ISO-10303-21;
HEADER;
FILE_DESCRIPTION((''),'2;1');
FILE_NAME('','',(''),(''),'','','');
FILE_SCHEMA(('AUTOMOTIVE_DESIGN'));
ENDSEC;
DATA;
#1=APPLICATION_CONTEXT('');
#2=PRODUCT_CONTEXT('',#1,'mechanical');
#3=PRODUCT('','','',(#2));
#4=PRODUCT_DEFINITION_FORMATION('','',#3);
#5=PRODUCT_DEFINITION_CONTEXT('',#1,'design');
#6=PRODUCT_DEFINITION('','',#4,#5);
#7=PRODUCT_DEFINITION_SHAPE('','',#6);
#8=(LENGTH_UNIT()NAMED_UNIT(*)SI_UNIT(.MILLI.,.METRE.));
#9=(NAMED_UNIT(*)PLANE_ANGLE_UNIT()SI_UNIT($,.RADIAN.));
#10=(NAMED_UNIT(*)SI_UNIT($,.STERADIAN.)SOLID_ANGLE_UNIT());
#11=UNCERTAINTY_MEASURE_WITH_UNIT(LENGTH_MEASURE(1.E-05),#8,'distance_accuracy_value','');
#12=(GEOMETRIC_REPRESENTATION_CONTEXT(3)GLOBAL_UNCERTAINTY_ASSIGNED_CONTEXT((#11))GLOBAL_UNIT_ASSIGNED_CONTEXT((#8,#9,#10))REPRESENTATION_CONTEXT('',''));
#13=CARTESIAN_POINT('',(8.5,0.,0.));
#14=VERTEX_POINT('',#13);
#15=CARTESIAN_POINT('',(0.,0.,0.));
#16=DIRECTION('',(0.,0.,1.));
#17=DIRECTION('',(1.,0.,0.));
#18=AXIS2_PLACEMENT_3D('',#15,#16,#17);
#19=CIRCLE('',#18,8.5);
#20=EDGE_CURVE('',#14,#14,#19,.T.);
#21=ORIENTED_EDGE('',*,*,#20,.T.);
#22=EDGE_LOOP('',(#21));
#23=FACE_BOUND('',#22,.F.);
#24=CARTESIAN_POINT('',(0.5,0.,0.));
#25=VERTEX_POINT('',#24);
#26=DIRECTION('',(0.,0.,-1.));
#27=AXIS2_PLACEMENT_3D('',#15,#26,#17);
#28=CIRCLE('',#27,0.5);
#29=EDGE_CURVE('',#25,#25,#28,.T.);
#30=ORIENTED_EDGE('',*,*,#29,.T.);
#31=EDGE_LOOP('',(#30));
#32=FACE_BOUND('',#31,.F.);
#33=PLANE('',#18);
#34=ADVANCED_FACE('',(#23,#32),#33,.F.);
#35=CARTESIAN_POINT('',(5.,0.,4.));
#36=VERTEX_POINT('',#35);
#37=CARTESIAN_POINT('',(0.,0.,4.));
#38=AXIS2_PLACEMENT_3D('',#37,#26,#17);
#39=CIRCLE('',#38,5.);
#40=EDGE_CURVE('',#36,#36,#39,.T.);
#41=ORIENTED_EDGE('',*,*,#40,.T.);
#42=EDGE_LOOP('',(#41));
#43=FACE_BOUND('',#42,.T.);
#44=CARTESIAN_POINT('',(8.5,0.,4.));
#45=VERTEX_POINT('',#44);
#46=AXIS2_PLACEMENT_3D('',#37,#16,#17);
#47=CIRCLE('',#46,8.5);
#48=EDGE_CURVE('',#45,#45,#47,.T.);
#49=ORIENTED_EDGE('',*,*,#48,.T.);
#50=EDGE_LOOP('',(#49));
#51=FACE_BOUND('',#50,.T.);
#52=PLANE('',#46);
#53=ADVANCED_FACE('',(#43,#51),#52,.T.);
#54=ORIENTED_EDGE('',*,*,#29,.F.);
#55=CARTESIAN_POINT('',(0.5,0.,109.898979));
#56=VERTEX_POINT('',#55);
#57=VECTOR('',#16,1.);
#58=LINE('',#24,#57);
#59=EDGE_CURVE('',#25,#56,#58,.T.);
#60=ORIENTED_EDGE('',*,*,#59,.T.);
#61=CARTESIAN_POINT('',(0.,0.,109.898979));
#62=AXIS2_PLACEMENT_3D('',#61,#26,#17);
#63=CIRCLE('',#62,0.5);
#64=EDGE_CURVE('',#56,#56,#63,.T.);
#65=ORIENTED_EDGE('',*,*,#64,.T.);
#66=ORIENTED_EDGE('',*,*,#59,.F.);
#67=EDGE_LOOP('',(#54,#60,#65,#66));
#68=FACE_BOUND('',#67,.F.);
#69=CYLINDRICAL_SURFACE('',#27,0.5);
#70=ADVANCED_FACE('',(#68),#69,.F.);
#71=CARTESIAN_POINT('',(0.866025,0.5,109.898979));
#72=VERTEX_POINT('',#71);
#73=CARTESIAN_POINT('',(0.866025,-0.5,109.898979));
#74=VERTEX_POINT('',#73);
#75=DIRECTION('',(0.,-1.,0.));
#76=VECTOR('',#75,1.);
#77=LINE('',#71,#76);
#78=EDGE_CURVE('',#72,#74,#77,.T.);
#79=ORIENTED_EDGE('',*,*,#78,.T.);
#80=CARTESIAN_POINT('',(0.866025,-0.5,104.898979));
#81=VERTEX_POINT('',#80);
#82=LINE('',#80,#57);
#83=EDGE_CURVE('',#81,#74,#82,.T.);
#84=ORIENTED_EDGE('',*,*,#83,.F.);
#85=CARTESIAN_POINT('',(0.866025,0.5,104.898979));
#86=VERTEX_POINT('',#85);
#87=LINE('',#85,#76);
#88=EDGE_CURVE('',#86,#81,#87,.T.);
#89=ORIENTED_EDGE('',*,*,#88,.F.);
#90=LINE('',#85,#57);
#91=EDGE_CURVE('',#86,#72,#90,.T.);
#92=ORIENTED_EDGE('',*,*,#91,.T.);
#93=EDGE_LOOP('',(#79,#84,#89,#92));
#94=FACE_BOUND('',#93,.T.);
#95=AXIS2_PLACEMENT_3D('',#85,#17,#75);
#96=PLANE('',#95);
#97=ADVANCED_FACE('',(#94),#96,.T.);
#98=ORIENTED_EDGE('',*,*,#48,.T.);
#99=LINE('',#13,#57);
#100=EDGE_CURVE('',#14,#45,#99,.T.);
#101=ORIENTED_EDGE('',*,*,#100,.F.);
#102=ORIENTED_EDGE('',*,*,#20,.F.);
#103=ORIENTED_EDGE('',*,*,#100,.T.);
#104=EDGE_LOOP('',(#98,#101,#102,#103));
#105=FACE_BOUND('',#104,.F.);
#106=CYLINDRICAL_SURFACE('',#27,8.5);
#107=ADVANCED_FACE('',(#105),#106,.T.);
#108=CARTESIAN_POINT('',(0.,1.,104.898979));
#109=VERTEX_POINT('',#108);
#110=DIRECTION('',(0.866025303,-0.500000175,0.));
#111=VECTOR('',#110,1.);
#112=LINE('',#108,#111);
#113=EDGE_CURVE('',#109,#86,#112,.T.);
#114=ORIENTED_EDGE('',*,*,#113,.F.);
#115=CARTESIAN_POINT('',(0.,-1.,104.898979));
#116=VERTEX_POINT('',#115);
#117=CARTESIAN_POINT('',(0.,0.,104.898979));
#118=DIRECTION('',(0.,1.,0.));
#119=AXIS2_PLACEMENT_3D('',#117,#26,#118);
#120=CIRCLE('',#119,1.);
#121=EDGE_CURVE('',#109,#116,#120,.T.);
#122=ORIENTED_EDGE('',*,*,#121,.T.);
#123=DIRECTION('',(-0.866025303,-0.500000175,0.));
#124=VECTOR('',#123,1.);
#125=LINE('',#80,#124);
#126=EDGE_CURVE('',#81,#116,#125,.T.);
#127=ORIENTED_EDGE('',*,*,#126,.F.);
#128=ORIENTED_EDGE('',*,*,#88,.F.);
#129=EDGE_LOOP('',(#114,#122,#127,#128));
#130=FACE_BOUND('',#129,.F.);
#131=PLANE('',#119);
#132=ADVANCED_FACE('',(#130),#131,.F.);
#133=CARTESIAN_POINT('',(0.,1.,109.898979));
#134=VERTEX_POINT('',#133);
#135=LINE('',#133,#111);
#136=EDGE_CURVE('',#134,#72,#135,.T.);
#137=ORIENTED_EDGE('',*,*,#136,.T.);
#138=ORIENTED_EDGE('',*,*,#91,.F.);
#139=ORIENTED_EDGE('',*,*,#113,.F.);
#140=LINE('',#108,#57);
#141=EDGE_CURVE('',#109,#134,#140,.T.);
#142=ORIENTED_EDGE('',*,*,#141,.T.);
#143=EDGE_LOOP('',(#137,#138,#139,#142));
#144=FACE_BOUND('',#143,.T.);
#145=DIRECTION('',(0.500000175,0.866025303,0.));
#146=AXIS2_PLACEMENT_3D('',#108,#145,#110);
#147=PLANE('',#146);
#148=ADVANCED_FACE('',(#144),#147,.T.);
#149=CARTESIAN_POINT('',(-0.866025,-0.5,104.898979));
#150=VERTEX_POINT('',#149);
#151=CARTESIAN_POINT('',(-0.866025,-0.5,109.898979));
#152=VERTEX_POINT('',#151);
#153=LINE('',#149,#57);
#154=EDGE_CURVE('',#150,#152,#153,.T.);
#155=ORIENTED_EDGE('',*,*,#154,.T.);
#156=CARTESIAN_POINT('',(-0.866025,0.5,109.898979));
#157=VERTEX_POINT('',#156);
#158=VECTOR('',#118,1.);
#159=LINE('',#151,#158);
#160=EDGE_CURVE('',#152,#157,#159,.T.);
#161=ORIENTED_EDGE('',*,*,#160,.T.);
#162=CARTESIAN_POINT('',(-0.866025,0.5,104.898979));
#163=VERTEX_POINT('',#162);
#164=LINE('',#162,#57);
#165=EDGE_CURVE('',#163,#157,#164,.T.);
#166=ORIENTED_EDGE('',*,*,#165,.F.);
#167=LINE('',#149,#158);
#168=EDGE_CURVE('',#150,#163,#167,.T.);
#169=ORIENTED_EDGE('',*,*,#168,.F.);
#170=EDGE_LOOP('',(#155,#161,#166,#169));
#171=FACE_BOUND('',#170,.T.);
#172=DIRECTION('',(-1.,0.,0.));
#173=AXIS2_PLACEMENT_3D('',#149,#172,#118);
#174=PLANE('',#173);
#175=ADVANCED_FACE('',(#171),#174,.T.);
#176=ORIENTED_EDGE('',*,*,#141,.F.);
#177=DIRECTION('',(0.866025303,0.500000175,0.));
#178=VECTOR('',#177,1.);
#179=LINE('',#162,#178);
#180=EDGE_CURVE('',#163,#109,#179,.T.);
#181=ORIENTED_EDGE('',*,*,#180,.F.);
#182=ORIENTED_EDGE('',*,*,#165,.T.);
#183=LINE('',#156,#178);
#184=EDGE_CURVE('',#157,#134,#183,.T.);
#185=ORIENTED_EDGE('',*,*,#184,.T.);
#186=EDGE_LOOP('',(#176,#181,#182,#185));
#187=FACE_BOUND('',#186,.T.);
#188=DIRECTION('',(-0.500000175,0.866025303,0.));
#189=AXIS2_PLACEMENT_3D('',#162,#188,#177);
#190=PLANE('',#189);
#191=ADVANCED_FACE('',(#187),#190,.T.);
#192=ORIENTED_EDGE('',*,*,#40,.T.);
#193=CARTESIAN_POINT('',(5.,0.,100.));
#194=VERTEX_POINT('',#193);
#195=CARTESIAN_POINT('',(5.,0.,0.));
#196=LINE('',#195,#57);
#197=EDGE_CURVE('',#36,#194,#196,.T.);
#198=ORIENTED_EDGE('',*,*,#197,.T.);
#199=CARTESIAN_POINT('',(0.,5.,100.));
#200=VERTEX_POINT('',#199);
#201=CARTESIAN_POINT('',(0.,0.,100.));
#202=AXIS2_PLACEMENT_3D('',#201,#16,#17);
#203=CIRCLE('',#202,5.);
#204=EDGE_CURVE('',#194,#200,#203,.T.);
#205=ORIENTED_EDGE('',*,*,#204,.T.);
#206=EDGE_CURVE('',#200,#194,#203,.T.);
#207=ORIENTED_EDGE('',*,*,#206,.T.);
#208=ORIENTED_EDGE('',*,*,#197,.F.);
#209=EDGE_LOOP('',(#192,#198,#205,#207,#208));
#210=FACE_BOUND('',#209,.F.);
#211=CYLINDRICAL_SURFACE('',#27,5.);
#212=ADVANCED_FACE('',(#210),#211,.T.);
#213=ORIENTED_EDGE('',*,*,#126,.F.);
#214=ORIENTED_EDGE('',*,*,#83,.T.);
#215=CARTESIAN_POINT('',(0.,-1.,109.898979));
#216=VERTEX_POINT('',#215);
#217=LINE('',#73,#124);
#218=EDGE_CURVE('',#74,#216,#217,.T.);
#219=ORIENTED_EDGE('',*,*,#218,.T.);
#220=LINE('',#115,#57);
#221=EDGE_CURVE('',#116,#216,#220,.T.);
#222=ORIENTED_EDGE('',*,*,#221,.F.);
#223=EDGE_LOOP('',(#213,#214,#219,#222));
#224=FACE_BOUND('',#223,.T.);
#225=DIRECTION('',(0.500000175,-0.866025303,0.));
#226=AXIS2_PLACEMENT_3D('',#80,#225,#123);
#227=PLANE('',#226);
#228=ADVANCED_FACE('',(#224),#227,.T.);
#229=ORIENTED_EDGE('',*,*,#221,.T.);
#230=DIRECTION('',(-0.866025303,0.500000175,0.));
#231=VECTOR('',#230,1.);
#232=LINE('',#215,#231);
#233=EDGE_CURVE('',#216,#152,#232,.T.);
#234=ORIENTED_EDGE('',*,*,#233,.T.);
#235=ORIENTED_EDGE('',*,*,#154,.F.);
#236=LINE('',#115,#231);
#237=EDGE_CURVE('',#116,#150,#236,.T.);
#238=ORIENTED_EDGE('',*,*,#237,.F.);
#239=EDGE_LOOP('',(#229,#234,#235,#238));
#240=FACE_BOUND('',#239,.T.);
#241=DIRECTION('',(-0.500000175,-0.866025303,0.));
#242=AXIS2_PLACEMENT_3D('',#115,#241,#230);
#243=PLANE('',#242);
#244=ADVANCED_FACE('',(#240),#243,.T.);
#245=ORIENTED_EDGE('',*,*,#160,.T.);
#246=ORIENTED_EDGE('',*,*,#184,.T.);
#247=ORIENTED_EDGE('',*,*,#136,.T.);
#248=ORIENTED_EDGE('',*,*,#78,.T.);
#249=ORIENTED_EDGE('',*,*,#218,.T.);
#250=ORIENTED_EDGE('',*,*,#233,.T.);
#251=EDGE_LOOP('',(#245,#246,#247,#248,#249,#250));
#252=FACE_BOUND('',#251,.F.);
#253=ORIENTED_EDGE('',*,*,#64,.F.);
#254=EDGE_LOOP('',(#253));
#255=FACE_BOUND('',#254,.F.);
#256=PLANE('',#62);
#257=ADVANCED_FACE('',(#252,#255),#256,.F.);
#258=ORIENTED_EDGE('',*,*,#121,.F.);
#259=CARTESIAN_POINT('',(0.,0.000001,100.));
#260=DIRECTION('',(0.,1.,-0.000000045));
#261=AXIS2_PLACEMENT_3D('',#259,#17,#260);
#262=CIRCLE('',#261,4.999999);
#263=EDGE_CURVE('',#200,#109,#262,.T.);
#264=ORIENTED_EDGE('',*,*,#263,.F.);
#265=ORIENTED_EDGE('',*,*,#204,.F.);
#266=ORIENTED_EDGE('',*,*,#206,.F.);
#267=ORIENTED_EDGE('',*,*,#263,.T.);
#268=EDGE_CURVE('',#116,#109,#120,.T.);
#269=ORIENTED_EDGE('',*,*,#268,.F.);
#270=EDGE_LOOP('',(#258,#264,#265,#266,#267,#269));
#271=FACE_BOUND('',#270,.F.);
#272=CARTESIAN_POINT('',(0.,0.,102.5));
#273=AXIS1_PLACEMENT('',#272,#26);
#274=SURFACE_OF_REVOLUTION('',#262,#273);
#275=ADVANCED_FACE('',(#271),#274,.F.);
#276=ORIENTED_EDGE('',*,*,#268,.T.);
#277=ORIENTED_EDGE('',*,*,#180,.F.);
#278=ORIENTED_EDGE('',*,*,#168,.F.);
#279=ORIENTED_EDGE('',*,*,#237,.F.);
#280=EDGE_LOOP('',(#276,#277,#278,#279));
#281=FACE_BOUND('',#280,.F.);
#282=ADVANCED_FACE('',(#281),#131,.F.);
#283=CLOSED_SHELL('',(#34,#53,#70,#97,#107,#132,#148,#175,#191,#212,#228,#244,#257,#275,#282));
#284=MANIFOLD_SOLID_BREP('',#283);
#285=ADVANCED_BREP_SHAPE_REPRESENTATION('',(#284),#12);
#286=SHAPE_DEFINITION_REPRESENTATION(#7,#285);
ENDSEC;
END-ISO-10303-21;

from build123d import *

# Parameters (mm, degrees)
F0_R      = 8.5
F1_DEPTH  = 4
F2_R      = 5
F3_DEPTH  = 100
F9_DEPTH  = 5
F10_R     = 0.5
F11_DEPTH = 117.5


with BuildPart() as f1:
    # F0 (on Top) → F1 (new body)
    with BuildSketch(Plane.XY):
        Circle(F0_R)
    extrude(amount=F1_DEPTH)

    # F2 (on Top) → F3 (join)
    with BuildSketch(Plane.XY):
        Circle(F2_R)
    extrude(amount=F3_DEPTH)

    # F4 (on Right) → F6 (revolve)
    with BuildSketch(Plane.YZ):
        with BuildLine():
            Line((0, 104.898979), (0, 100))
            Line((0, 100), (5, 100))
            ThreePointArc((5, 100), (3.872983, 103.162278), (1, 104.898979))
            Line((1, 104.898979), (0, 104.898979))
        make_face()
    revolve(axis=Axis((0, 0, 102.5), (0, 0, -1)))

    # F8 (on face) → F9 (join)
    with BuildSketch(Plane(origin=(0, 0, 104.898979), x_dir=(1, 0, 0), z_dir=(0, 0, -1))):
        Polygon((0.866025, -0.5), (0.866025, 0.5), (0, 1), (-0.866025, 0.5), (-0.866025, -0.5), (0, -1), align=None)
    extrude(amount=-F9_DEPTH)

    # F10 (on face) → F11 (cut)
    with BuildSketch(Plane(origin=(0, 0, 0), x_dir=(1, 0, 0), z_dir=(0, 0, -1))):
        Circle(F10_R)
    extrude(amount=-F11_DEPTH, mode=Mode.SUBTRACT)


solid = f1.part
